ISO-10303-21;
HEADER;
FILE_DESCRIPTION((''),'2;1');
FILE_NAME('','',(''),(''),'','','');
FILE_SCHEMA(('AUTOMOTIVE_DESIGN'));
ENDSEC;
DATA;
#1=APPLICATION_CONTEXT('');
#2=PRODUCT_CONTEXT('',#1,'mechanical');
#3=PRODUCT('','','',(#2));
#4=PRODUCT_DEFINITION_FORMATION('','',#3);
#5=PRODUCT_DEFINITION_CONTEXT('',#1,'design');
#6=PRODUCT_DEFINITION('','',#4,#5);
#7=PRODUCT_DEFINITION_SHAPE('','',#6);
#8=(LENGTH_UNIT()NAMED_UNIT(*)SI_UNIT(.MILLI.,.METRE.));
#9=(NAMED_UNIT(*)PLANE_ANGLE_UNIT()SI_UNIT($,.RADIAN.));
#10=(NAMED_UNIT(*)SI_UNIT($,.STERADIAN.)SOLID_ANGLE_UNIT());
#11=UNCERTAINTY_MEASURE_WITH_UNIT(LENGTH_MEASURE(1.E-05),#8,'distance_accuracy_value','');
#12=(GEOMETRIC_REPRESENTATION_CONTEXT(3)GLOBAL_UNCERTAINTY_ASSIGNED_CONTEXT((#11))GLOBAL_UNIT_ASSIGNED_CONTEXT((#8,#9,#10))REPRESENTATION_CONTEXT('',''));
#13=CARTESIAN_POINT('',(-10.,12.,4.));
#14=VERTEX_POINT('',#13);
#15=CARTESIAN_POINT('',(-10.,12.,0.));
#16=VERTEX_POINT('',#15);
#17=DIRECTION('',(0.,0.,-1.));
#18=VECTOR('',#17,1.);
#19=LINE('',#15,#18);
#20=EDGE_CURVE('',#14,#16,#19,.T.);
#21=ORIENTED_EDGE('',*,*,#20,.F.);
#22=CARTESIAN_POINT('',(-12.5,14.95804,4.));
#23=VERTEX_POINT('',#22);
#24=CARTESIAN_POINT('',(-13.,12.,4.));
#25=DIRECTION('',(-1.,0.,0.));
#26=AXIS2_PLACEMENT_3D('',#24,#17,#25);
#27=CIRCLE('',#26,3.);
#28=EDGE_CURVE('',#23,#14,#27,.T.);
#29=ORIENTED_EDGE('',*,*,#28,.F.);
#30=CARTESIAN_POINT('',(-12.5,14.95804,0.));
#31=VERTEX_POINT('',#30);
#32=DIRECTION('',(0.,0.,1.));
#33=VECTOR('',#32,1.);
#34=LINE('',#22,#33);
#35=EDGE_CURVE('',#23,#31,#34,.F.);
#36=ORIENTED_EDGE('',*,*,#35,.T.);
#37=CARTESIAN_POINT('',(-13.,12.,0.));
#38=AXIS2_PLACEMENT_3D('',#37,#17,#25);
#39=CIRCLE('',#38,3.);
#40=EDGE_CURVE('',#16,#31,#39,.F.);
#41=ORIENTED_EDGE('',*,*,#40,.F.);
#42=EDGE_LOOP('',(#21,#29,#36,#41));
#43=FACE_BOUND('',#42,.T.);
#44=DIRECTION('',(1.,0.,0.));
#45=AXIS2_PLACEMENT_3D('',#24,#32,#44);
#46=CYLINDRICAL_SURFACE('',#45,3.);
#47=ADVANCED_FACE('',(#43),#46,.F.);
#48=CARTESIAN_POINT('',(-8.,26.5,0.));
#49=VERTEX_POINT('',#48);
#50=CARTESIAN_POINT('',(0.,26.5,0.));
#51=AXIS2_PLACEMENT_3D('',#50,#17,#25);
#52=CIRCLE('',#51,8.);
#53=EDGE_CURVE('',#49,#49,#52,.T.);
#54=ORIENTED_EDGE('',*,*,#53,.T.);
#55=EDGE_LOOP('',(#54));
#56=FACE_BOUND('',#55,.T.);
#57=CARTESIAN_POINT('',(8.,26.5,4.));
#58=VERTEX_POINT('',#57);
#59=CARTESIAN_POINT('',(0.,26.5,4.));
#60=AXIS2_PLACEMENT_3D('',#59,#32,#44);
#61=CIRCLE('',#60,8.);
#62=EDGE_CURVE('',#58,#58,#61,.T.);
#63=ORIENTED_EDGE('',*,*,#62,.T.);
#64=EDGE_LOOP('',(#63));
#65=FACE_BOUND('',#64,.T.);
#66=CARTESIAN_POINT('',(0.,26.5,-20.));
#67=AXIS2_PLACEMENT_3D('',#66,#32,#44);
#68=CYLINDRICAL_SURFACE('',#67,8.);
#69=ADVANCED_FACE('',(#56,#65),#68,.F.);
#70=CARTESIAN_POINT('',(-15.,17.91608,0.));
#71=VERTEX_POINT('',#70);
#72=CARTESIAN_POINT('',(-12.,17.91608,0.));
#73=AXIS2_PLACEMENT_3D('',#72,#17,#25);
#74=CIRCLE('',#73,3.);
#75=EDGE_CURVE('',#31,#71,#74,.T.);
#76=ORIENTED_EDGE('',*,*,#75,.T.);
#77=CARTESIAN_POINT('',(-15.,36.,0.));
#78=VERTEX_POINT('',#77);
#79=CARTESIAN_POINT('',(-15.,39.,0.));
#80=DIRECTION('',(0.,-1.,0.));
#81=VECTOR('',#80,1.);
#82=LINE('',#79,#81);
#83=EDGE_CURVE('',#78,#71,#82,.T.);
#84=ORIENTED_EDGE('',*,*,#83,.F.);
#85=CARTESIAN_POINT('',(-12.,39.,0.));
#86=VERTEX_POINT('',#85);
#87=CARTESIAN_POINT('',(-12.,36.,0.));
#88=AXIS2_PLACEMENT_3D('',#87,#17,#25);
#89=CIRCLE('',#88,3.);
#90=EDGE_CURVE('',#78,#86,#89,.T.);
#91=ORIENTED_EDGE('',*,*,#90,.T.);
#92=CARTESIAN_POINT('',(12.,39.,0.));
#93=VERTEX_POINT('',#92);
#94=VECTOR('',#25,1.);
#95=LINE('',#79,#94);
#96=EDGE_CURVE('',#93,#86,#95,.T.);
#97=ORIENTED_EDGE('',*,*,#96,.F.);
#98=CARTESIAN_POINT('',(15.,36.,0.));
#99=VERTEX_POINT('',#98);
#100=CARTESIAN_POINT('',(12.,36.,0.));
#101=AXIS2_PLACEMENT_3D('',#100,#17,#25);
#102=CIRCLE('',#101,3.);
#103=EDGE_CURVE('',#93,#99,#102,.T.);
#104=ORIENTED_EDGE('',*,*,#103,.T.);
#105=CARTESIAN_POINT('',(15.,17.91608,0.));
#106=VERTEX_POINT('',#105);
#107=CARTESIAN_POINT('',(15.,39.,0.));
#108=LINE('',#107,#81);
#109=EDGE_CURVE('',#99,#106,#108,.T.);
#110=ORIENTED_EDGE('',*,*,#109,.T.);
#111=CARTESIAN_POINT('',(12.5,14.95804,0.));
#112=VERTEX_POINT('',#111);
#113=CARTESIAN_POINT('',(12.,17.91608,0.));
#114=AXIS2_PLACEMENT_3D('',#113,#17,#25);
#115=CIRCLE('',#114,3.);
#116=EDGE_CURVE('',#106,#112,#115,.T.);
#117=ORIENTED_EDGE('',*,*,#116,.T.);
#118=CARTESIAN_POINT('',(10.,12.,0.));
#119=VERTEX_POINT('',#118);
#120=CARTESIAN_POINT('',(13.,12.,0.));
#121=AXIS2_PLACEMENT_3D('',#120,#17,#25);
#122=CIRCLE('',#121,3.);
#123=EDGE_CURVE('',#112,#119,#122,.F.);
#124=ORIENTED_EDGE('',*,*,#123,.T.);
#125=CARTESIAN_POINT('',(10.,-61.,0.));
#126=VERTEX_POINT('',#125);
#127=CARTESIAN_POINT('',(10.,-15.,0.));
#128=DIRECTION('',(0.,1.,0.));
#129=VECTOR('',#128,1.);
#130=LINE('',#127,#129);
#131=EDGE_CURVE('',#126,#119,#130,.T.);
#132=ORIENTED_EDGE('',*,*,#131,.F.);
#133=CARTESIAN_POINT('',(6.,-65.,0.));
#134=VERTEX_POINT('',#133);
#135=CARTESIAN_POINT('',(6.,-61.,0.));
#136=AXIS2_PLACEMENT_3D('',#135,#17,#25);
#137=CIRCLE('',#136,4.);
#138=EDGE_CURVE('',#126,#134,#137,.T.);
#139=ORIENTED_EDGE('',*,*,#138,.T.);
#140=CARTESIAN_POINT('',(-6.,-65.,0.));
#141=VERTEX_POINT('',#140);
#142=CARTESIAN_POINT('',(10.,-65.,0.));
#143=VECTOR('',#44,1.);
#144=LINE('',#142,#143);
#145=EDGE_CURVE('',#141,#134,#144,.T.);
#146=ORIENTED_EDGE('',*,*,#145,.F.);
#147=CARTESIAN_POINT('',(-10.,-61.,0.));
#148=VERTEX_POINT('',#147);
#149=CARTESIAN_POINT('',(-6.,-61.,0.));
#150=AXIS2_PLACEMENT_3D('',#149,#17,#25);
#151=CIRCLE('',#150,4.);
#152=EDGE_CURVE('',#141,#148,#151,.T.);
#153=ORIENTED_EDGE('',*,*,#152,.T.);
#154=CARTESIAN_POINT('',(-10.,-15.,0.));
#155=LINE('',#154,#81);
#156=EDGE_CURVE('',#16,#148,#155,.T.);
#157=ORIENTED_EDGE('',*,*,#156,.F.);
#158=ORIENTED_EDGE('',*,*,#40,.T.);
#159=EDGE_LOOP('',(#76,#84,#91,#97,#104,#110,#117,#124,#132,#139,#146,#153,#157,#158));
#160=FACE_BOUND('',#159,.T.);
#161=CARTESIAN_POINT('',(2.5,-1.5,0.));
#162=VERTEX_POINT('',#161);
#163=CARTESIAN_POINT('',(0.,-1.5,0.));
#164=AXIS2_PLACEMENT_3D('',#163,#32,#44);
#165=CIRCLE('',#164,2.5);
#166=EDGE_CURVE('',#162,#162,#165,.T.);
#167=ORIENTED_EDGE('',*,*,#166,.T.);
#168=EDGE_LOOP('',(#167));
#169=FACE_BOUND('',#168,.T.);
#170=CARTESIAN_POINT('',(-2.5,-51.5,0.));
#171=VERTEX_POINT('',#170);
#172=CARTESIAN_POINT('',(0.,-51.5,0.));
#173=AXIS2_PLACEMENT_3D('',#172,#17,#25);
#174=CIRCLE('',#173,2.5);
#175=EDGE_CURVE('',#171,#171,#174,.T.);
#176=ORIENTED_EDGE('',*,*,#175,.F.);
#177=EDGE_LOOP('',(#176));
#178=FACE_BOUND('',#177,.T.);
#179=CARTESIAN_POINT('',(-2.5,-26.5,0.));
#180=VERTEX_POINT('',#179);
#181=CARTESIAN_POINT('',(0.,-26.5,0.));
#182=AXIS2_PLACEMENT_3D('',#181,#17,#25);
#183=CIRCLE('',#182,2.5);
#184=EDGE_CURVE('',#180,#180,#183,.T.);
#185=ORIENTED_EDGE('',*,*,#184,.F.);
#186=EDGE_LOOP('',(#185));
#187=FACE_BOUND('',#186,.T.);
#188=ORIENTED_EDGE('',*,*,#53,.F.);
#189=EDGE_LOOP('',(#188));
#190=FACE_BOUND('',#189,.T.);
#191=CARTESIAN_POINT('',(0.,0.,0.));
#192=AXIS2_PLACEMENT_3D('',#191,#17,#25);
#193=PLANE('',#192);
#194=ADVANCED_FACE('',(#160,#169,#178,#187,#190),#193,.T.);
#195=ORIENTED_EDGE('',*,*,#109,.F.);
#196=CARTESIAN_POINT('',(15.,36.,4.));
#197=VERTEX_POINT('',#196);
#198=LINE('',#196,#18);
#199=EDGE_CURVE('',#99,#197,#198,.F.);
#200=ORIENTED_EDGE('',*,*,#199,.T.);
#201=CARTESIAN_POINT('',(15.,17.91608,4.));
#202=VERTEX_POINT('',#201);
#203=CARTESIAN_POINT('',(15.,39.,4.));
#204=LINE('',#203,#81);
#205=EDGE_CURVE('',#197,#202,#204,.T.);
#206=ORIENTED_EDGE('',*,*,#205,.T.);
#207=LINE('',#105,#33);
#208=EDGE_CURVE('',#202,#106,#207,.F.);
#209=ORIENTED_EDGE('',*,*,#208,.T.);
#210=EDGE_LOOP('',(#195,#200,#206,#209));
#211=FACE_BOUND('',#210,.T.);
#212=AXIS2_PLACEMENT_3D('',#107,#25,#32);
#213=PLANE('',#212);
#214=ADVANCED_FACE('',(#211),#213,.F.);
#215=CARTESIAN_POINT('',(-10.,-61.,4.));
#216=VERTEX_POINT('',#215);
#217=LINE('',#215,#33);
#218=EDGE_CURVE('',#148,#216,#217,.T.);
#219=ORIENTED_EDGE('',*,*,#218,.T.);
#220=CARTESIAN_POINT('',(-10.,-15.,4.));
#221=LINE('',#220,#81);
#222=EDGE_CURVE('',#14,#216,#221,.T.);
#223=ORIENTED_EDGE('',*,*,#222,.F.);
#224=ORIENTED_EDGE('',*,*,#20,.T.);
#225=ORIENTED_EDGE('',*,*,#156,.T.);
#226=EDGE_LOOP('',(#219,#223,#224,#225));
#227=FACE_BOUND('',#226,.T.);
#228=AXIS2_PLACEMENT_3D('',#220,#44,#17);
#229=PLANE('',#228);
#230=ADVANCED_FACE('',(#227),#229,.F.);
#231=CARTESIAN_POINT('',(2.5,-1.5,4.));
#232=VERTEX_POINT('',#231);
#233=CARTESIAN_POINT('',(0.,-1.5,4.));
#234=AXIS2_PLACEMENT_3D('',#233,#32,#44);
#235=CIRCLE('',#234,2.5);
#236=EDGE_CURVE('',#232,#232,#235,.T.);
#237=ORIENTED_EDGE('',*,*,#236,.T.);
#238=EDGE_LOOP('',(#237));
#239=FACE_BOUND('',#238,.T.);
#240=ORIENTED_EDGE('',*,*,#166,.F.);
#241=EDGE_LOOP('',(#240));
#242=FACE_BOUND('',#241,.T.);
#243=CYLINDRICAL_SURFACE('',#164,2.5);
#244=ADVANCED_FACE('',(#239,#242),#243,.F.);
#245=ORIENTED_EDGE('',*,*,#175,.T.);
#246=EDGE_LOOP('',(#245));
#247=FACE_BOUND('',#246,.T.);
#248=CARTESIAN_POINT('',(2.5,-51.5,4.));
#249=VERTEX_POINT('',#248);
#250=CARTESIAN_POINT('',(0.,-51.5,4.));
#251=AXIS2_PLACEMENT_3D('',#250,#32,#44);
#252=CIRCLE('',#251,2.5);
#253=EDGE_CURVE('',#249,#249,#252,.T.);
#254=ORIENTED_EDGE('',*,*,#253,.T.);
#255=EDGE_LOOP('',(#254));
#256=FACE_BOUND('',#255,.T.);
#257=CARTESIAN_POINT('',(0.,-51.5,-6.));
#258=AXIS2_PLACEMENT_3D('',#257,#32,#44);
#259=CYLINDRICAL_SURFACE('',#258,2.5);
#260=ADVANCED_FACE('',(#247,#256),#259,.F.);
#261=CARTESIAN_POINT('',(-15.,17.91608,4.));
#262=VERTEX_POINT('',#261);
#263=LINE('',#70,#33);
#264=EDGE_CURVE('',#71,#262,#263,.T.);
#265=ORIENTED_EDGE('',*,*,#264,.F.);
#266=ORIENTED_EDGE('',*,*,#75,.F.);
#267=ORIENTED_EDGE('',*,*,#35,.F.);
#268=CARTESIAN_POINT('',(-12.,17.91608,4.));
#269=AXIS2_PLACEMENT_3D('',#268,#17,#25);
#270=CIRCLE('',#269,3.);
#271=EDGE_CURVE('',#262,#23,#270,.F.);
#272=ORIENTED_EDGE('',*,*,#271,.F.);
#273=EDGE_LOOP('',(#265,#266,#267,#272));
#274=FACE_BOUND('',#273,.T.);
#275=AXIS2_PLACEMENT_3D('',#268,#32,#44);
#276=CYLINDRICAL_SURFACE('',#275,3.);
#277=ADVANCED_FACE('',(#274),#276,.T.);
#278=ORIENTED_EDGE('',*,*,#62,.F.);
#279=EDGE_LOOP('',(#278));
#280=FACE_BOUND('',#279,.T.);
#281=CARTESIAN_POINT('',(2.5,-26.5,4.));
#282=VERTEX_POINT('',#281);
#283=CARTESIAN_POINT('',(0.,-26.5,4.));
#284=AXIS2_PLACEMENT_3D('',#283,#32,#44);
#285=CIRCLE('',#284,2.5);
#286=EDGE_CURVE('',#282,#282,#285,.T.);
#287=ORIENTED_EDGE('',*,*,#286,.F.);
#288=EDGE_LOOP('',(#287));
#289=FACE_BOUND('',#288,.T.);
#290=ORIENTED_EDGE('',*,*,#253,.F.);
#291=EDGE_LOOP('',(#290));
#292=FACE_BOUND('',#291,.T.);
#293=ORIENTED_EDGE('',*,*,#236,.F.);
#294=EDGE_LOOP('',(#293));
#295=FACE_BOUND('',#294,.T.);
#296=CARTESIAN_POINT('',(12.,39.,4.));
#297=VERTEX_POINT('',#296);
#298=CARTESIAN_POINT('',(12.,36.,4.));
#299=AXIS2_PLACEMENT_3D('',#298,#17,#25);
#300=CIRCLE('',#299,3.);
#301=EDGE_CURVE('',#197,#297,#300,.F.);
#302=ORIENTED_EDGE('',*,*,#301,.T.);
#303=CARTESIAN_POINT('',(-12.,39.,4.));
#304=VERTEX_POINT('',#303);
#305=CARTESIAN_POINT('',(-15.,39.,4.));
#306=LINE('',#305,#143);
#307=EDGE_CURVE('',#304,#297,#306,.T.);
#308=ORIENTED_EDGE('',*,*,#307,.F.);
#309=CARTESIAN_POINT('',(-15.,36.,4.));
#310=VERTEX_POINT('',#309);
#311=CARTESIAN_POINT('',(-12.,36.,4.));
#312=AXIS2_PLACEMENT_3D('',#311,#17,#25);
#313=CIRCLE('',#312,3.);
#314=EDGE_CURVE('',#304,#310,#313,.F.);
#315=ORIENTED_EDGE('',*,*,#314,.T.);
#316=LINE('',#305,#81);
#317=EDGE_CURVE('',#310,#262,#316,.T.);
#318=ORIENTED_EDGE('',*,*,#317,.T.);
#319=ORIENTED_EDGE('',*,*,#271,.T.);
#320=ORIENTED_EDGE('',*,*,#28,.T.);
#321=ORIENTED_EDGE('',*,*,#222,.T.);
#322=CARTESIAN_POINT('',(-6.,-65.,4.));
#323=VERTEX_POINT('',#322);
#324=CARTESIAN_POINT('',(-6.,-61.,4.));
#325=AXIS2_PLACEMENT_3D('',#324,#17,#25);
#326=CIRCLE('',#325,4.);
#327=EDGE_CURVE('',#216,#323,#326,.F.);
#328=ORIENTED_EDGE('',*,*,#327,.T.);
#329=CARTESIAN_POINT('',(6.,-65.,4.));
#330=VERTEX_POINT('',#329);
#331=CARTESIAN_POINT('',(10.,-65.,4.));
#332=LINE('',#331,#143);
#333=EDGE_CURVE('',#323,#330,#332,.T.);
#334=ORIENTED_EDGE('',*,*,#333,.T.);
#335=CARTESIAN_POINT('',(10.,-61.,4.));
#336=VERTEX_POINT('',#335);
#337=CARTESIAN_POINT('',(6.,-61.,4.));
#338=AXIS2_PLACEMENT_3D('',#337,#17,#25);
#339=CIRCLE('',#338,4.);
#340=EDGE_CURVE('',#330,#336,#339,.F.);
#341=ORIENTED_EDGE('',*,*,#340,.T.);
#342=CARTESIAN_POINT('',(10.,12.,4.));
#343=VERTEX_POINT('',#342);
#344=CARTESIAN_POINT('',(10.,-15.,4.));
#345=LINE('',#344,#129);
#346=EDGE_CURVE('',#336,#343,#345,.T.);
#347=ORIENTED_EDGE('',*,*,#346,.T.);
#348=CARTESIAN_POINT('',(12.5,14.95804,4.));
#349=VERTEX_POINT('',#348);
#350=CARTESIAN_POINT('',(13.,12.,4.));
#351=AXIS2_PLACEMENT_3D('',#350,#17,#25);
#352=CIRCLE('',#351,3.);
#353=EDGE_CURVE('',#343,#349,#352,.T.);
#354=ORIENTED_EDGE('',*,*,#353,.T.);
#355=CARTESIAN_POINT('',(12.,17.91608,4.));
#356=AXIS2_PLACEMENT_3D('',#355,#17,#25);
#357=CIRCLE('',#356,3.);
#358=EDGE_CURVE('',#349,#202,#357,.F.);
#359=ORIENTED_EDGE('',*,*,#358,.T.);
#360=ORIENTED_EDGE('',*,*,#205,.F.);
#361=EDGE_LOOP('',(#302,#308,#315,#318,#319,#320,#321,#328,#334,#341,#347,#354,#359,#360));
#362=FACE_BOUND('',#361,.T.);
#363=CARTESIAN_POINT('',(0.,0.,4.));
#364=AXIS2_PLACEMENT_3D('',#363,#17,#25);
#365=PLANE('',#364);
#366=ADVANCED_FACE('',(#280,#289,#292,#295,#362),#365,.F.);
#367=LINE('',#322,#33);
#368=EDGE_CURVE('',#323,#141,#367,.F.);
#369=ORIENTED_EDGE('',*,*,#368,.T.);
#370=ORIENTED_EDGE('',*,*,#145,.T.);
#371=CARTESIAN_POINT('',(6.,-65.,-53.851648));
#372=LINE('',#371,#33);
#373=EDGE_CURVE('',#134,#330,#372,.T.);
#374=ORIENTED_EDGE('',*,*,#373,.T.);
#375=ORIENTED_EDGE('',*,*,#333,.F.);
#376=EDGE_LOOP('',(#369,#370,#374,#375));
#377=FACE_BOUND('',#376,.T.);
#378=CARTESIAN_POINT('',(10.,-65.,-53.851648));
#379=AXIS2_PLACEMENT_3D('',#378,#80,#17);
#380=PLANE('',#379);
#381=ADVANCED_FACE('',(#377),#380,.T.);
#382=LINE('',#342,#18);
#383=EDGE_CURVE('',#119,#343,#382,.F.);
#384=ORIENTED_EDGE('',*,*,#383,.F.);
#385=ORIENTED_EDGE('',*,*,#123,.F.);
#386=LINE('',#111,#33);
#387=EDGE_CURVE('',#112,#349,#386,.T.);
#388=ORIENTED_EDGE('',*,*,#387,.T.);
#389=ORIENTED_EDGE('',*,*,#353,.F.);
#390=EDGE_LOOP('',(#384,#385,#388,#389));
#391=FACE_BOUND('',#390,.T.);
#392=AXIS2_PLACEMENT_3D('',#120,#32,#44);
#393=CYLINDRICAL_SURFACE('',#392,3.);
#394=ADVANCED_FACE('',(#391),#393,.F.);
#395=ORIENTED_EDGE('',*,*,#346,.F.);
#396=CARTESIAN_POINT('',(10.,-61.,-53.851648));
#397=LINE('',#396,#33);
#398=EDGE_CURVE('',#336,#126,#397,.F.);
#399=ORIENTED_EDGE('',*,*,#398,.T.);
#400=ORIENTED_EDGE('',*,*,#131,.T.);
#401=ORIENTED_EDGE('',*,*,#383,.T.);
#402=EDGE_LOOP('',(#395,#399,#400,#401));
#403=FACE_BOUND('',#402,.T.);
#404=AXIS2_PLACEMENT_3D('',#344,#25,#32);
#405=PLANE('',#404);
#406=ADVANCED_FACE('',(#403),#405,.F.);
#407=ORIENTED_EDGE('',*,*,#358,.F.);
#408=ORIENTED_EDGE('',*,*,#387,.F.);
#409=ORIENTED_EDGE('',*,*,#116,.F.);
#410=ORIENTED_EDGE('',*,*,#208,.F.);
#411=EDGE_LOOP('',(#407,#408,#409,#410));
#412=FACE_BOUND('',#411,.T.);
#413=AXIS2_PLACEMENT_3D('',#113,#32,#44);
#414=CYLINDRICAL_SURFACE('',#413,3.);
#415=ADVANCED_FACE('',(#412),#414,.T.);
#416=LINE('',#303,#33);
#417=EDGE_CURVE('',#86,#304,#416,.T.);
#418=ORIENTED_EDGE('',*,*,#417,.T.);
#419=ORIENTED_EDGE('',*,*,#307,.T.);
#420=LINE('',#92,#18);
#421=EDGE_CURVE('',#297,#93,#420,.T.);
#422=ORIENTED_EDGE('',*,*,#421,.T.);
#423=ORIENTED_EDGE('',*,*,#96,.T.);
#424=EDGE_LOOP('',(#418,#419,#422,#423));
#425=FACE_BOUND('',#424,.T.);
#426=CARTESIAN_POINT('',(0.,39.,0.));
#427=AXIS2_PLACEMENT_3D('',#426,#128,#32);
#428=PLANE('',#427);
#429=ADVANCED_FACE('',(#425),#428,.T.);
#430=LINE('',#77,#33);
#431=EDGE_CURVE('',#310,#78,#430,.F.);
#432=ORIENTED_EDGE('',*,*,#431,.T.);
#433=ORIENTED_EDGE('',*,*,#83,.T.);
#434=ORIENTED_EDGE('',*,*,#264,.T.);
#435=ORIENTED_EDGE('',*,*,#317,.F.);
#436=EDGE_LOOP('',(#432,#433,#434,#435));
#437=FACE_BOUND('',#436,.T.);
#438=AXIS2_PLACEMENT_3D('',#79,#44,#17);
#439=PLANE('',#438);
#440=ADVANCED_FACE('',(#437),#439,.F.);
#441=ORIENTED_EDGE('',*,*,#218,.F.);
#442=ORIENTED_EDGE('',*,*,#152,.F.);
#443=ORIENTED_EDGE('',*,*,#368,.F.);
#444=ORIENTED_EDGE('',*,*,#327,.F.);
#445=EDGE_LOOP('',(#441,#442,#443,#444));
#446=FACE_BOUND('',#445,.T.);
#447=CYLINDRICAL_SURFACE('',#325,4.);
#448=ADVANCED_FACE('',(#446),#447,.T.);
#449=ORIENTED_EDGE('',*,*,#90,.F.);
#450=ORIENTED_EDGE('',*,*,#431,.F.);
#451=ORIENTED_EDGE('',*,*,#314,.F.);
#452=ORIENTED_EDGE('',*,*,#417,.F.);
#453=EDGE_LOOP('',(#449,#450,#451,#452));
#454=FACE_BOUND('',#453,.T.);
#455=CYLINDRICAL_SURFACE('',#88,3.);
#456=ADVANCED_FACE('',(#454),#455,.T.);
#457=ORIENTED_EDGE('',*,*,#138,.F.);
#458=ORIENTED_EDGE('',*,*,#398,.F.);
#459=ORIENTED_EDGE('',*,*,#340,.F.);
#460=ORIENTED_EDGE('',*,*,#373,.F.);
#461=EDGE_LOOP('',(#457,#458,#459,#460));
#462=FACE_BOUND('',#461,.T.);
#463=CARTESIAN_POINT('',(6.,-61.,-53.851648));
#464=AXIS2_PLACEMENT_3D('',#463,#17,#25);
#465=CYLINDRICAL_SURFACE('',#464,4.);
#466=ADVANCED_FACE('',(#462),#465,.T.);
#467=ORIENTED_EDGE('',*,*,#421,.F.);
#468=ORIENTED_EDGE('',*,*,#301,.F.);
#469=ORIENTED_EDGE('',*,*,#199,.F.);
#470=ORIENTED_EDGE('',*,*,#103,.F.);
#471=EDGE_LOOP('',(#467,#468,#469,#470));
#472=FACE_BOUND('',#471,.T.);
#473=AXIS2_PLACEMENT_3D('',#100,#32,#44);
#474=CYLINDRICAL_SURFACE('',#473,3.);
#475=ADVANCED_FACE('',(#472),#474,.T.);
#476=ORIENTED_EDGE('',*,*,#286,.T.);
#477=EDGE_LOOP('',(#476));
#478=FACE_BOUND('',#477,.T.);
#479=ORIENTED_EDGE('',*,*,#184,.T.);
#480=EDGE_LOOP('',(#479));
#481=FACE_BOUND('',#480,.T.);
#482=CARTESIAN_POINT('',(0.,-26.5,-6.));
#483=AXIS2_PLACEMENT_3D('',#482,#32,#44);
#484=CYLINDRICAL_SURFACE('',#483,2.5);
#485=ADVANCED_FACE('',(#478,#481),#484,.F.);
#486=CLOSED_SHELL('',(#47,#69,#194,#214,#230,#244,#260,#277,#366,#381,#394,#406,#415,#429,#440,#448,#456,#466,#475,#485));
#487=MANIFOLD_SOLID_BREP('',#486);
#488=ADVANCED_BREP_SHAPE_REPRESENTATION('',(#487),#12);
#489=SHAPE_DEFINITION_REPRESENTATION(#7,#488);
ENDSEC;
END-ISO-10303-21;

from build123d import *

# Parameters (mm, degrees)
SKETCH_1_W          = 20
SKETCH_1_H          = 30
SKETCH_1_R          = 1.5
EXTRUDE_1_DEPTH     = 4
SKETCH_2_W          = 30
SKETCH_2_H          = 4
EXTRUDE_2_DEPTH     = 24
FILLET_1_R          = 3
SKETCH_3_R          = 8
CUT_EXTRUDE_1_DEPTH = 24
FILLET_2_R          = 3
SKETCH_4_R          = 1.5
EXTRUDE_3_DEPTH     = 4
SKETCH_9_R          = 2.5
CUT_EXTRUDE_2_DEPTH = 5.0000001
SKETCH_11_W         = 20
SKETCH_11_H         = 50
EXTRUDE_5_DEPTH     = 4
SKETCH_13_R         = 2.5
CUT_EXTRUDE_3_DEPTH = 10
FILLET_4_R          = 4
FILLET_5_R          = 4


with BuildPart() as part:
    # 草图1 → 凸台-拉伸1 (new body)
    with BuildSketch(Plane.XY):
        Rectangle(SKETCH_1_W, SKETCH_1_H)
        with Locations((-5, 3)):
            Circle(SKETCH_1_R, mode=Mode.SUBTRACT)
        with Locations((5, 3)):
            Circle(SKETCH_1_R, mode=Mode.SUBTRACT)
        with Locations((-5, -7)):
            Circle(SKETCH_1_R, mode=Mode.SUBTRACT)
        with Locations((5, -7)):
            Circle(SKETCH_1_R, mode=Mode.SUBTRACT)
    extrude(amount=EXTRUDE_1_DEPTH)

    # 草图2 → 凸台-拉伸2 (add)
    with BuildSketch(Plane(origin=(0, 15, 0), x_dir=(1, 0, 0), z_dir=(0, 1, 0))):
        with Locations((0, -2)):
            Rectangle(SKETCH_2_W, SKETCH_2_H)
    extrude(amount=EXTRUDE_2_DEPTH)

    # 圆角1
    fillet_1_edges = [part.edges().sort_by_distance(p)[0] for p in [
        (-10, 15, 2),
        (10, 15, 2),
    ]]
    fillet(fillet_1_edges, radius=FILLET_1_R)

    # 草图3 → 切除-拉伸1 (cut)
    with BuildSketch(Plane.XY.offset(4)):
        with Locations((0, 26.5)):
            Circle(SKETCH_3_R)
    extrude(amount=-CUT_EXTRUDE_1_DEPTH, mode=Mode.SUBTRACT)

    # 圆角2
    fillet_2_edges = [part.edges().sort_by_distance(p)[0] for p in [
        (15, 15, 2),
        (15, 39, 2),
        (-15, 39, 2),
        (-15, 15, 2),
    ]]
    fillet(fillet_2_edges, radius=FILLET_2_R)

    # 草图4 → 凸台-拉伸3 (add)
    with BuildSketch(Plane.XY.offset(4)):
        with Locations((5, 3)):
            Circle(SKETCH_4_R)
        with Locations((5, -7)):
            Circle(SKETCH_4_R)
        with Locations((-5, 3)):
            Circle(SKETCH_4_R)
        with Locations((-5, -7)):
            Circle(SKETCH_4_R)
    extrude(amount=-EXTRUDE_3_DEPTH)

    # 草图9 → 切除-拉伸2 (cut, through all)
    with BuildSketch(Plane.XY.offset(4)):
        with Locations((0, -1.5)):
            Circle(SKETCH_9_R)
    extrude(amount=-CUT_EXTRUDE_2_DEPTH, mode=Mode.SUBTRACT)

    # 草图11 → 凸台-拉伸5 (add)
    with BuildSketch(Plane.XY.offset(4)):
        with Locations((0, -40)):
            Rectangle(SKETCH_11_W, SKETCH_11_H)
    extrude(amount=-EXTRUDE_5_DEPTH)

    # 草图13 → 切除-拉伸3 (cut)
    with BuildSketch(Plane.XY.offset(4)):
        with Locations((0, -26.5)):
            Circle(SKETCH_13_R)
        with Locations((0, -51.5)):
            Circle(SKETCH_13_R)
    extrude(amount=-CUT_EXTRUDE_3_DEPTH, mode=Mode.SUBTRACT)

    # 圆角4
    fillet_4_edges = [part.edges().sort_by_distance(p)[0] for p in [
        (10, -65, 2),
    ]]
    fillet(fillet_4_edges, radius=FILLET_4_R)

    # 圆角5
    fillet_5_edges = [part.edges().sort_by_distance(p)[0] for p in [
        (-10, -65, 2),
    ]]
    fillet(fillet_5_edges, radius=FILLET_5_R)


solid = part.part
